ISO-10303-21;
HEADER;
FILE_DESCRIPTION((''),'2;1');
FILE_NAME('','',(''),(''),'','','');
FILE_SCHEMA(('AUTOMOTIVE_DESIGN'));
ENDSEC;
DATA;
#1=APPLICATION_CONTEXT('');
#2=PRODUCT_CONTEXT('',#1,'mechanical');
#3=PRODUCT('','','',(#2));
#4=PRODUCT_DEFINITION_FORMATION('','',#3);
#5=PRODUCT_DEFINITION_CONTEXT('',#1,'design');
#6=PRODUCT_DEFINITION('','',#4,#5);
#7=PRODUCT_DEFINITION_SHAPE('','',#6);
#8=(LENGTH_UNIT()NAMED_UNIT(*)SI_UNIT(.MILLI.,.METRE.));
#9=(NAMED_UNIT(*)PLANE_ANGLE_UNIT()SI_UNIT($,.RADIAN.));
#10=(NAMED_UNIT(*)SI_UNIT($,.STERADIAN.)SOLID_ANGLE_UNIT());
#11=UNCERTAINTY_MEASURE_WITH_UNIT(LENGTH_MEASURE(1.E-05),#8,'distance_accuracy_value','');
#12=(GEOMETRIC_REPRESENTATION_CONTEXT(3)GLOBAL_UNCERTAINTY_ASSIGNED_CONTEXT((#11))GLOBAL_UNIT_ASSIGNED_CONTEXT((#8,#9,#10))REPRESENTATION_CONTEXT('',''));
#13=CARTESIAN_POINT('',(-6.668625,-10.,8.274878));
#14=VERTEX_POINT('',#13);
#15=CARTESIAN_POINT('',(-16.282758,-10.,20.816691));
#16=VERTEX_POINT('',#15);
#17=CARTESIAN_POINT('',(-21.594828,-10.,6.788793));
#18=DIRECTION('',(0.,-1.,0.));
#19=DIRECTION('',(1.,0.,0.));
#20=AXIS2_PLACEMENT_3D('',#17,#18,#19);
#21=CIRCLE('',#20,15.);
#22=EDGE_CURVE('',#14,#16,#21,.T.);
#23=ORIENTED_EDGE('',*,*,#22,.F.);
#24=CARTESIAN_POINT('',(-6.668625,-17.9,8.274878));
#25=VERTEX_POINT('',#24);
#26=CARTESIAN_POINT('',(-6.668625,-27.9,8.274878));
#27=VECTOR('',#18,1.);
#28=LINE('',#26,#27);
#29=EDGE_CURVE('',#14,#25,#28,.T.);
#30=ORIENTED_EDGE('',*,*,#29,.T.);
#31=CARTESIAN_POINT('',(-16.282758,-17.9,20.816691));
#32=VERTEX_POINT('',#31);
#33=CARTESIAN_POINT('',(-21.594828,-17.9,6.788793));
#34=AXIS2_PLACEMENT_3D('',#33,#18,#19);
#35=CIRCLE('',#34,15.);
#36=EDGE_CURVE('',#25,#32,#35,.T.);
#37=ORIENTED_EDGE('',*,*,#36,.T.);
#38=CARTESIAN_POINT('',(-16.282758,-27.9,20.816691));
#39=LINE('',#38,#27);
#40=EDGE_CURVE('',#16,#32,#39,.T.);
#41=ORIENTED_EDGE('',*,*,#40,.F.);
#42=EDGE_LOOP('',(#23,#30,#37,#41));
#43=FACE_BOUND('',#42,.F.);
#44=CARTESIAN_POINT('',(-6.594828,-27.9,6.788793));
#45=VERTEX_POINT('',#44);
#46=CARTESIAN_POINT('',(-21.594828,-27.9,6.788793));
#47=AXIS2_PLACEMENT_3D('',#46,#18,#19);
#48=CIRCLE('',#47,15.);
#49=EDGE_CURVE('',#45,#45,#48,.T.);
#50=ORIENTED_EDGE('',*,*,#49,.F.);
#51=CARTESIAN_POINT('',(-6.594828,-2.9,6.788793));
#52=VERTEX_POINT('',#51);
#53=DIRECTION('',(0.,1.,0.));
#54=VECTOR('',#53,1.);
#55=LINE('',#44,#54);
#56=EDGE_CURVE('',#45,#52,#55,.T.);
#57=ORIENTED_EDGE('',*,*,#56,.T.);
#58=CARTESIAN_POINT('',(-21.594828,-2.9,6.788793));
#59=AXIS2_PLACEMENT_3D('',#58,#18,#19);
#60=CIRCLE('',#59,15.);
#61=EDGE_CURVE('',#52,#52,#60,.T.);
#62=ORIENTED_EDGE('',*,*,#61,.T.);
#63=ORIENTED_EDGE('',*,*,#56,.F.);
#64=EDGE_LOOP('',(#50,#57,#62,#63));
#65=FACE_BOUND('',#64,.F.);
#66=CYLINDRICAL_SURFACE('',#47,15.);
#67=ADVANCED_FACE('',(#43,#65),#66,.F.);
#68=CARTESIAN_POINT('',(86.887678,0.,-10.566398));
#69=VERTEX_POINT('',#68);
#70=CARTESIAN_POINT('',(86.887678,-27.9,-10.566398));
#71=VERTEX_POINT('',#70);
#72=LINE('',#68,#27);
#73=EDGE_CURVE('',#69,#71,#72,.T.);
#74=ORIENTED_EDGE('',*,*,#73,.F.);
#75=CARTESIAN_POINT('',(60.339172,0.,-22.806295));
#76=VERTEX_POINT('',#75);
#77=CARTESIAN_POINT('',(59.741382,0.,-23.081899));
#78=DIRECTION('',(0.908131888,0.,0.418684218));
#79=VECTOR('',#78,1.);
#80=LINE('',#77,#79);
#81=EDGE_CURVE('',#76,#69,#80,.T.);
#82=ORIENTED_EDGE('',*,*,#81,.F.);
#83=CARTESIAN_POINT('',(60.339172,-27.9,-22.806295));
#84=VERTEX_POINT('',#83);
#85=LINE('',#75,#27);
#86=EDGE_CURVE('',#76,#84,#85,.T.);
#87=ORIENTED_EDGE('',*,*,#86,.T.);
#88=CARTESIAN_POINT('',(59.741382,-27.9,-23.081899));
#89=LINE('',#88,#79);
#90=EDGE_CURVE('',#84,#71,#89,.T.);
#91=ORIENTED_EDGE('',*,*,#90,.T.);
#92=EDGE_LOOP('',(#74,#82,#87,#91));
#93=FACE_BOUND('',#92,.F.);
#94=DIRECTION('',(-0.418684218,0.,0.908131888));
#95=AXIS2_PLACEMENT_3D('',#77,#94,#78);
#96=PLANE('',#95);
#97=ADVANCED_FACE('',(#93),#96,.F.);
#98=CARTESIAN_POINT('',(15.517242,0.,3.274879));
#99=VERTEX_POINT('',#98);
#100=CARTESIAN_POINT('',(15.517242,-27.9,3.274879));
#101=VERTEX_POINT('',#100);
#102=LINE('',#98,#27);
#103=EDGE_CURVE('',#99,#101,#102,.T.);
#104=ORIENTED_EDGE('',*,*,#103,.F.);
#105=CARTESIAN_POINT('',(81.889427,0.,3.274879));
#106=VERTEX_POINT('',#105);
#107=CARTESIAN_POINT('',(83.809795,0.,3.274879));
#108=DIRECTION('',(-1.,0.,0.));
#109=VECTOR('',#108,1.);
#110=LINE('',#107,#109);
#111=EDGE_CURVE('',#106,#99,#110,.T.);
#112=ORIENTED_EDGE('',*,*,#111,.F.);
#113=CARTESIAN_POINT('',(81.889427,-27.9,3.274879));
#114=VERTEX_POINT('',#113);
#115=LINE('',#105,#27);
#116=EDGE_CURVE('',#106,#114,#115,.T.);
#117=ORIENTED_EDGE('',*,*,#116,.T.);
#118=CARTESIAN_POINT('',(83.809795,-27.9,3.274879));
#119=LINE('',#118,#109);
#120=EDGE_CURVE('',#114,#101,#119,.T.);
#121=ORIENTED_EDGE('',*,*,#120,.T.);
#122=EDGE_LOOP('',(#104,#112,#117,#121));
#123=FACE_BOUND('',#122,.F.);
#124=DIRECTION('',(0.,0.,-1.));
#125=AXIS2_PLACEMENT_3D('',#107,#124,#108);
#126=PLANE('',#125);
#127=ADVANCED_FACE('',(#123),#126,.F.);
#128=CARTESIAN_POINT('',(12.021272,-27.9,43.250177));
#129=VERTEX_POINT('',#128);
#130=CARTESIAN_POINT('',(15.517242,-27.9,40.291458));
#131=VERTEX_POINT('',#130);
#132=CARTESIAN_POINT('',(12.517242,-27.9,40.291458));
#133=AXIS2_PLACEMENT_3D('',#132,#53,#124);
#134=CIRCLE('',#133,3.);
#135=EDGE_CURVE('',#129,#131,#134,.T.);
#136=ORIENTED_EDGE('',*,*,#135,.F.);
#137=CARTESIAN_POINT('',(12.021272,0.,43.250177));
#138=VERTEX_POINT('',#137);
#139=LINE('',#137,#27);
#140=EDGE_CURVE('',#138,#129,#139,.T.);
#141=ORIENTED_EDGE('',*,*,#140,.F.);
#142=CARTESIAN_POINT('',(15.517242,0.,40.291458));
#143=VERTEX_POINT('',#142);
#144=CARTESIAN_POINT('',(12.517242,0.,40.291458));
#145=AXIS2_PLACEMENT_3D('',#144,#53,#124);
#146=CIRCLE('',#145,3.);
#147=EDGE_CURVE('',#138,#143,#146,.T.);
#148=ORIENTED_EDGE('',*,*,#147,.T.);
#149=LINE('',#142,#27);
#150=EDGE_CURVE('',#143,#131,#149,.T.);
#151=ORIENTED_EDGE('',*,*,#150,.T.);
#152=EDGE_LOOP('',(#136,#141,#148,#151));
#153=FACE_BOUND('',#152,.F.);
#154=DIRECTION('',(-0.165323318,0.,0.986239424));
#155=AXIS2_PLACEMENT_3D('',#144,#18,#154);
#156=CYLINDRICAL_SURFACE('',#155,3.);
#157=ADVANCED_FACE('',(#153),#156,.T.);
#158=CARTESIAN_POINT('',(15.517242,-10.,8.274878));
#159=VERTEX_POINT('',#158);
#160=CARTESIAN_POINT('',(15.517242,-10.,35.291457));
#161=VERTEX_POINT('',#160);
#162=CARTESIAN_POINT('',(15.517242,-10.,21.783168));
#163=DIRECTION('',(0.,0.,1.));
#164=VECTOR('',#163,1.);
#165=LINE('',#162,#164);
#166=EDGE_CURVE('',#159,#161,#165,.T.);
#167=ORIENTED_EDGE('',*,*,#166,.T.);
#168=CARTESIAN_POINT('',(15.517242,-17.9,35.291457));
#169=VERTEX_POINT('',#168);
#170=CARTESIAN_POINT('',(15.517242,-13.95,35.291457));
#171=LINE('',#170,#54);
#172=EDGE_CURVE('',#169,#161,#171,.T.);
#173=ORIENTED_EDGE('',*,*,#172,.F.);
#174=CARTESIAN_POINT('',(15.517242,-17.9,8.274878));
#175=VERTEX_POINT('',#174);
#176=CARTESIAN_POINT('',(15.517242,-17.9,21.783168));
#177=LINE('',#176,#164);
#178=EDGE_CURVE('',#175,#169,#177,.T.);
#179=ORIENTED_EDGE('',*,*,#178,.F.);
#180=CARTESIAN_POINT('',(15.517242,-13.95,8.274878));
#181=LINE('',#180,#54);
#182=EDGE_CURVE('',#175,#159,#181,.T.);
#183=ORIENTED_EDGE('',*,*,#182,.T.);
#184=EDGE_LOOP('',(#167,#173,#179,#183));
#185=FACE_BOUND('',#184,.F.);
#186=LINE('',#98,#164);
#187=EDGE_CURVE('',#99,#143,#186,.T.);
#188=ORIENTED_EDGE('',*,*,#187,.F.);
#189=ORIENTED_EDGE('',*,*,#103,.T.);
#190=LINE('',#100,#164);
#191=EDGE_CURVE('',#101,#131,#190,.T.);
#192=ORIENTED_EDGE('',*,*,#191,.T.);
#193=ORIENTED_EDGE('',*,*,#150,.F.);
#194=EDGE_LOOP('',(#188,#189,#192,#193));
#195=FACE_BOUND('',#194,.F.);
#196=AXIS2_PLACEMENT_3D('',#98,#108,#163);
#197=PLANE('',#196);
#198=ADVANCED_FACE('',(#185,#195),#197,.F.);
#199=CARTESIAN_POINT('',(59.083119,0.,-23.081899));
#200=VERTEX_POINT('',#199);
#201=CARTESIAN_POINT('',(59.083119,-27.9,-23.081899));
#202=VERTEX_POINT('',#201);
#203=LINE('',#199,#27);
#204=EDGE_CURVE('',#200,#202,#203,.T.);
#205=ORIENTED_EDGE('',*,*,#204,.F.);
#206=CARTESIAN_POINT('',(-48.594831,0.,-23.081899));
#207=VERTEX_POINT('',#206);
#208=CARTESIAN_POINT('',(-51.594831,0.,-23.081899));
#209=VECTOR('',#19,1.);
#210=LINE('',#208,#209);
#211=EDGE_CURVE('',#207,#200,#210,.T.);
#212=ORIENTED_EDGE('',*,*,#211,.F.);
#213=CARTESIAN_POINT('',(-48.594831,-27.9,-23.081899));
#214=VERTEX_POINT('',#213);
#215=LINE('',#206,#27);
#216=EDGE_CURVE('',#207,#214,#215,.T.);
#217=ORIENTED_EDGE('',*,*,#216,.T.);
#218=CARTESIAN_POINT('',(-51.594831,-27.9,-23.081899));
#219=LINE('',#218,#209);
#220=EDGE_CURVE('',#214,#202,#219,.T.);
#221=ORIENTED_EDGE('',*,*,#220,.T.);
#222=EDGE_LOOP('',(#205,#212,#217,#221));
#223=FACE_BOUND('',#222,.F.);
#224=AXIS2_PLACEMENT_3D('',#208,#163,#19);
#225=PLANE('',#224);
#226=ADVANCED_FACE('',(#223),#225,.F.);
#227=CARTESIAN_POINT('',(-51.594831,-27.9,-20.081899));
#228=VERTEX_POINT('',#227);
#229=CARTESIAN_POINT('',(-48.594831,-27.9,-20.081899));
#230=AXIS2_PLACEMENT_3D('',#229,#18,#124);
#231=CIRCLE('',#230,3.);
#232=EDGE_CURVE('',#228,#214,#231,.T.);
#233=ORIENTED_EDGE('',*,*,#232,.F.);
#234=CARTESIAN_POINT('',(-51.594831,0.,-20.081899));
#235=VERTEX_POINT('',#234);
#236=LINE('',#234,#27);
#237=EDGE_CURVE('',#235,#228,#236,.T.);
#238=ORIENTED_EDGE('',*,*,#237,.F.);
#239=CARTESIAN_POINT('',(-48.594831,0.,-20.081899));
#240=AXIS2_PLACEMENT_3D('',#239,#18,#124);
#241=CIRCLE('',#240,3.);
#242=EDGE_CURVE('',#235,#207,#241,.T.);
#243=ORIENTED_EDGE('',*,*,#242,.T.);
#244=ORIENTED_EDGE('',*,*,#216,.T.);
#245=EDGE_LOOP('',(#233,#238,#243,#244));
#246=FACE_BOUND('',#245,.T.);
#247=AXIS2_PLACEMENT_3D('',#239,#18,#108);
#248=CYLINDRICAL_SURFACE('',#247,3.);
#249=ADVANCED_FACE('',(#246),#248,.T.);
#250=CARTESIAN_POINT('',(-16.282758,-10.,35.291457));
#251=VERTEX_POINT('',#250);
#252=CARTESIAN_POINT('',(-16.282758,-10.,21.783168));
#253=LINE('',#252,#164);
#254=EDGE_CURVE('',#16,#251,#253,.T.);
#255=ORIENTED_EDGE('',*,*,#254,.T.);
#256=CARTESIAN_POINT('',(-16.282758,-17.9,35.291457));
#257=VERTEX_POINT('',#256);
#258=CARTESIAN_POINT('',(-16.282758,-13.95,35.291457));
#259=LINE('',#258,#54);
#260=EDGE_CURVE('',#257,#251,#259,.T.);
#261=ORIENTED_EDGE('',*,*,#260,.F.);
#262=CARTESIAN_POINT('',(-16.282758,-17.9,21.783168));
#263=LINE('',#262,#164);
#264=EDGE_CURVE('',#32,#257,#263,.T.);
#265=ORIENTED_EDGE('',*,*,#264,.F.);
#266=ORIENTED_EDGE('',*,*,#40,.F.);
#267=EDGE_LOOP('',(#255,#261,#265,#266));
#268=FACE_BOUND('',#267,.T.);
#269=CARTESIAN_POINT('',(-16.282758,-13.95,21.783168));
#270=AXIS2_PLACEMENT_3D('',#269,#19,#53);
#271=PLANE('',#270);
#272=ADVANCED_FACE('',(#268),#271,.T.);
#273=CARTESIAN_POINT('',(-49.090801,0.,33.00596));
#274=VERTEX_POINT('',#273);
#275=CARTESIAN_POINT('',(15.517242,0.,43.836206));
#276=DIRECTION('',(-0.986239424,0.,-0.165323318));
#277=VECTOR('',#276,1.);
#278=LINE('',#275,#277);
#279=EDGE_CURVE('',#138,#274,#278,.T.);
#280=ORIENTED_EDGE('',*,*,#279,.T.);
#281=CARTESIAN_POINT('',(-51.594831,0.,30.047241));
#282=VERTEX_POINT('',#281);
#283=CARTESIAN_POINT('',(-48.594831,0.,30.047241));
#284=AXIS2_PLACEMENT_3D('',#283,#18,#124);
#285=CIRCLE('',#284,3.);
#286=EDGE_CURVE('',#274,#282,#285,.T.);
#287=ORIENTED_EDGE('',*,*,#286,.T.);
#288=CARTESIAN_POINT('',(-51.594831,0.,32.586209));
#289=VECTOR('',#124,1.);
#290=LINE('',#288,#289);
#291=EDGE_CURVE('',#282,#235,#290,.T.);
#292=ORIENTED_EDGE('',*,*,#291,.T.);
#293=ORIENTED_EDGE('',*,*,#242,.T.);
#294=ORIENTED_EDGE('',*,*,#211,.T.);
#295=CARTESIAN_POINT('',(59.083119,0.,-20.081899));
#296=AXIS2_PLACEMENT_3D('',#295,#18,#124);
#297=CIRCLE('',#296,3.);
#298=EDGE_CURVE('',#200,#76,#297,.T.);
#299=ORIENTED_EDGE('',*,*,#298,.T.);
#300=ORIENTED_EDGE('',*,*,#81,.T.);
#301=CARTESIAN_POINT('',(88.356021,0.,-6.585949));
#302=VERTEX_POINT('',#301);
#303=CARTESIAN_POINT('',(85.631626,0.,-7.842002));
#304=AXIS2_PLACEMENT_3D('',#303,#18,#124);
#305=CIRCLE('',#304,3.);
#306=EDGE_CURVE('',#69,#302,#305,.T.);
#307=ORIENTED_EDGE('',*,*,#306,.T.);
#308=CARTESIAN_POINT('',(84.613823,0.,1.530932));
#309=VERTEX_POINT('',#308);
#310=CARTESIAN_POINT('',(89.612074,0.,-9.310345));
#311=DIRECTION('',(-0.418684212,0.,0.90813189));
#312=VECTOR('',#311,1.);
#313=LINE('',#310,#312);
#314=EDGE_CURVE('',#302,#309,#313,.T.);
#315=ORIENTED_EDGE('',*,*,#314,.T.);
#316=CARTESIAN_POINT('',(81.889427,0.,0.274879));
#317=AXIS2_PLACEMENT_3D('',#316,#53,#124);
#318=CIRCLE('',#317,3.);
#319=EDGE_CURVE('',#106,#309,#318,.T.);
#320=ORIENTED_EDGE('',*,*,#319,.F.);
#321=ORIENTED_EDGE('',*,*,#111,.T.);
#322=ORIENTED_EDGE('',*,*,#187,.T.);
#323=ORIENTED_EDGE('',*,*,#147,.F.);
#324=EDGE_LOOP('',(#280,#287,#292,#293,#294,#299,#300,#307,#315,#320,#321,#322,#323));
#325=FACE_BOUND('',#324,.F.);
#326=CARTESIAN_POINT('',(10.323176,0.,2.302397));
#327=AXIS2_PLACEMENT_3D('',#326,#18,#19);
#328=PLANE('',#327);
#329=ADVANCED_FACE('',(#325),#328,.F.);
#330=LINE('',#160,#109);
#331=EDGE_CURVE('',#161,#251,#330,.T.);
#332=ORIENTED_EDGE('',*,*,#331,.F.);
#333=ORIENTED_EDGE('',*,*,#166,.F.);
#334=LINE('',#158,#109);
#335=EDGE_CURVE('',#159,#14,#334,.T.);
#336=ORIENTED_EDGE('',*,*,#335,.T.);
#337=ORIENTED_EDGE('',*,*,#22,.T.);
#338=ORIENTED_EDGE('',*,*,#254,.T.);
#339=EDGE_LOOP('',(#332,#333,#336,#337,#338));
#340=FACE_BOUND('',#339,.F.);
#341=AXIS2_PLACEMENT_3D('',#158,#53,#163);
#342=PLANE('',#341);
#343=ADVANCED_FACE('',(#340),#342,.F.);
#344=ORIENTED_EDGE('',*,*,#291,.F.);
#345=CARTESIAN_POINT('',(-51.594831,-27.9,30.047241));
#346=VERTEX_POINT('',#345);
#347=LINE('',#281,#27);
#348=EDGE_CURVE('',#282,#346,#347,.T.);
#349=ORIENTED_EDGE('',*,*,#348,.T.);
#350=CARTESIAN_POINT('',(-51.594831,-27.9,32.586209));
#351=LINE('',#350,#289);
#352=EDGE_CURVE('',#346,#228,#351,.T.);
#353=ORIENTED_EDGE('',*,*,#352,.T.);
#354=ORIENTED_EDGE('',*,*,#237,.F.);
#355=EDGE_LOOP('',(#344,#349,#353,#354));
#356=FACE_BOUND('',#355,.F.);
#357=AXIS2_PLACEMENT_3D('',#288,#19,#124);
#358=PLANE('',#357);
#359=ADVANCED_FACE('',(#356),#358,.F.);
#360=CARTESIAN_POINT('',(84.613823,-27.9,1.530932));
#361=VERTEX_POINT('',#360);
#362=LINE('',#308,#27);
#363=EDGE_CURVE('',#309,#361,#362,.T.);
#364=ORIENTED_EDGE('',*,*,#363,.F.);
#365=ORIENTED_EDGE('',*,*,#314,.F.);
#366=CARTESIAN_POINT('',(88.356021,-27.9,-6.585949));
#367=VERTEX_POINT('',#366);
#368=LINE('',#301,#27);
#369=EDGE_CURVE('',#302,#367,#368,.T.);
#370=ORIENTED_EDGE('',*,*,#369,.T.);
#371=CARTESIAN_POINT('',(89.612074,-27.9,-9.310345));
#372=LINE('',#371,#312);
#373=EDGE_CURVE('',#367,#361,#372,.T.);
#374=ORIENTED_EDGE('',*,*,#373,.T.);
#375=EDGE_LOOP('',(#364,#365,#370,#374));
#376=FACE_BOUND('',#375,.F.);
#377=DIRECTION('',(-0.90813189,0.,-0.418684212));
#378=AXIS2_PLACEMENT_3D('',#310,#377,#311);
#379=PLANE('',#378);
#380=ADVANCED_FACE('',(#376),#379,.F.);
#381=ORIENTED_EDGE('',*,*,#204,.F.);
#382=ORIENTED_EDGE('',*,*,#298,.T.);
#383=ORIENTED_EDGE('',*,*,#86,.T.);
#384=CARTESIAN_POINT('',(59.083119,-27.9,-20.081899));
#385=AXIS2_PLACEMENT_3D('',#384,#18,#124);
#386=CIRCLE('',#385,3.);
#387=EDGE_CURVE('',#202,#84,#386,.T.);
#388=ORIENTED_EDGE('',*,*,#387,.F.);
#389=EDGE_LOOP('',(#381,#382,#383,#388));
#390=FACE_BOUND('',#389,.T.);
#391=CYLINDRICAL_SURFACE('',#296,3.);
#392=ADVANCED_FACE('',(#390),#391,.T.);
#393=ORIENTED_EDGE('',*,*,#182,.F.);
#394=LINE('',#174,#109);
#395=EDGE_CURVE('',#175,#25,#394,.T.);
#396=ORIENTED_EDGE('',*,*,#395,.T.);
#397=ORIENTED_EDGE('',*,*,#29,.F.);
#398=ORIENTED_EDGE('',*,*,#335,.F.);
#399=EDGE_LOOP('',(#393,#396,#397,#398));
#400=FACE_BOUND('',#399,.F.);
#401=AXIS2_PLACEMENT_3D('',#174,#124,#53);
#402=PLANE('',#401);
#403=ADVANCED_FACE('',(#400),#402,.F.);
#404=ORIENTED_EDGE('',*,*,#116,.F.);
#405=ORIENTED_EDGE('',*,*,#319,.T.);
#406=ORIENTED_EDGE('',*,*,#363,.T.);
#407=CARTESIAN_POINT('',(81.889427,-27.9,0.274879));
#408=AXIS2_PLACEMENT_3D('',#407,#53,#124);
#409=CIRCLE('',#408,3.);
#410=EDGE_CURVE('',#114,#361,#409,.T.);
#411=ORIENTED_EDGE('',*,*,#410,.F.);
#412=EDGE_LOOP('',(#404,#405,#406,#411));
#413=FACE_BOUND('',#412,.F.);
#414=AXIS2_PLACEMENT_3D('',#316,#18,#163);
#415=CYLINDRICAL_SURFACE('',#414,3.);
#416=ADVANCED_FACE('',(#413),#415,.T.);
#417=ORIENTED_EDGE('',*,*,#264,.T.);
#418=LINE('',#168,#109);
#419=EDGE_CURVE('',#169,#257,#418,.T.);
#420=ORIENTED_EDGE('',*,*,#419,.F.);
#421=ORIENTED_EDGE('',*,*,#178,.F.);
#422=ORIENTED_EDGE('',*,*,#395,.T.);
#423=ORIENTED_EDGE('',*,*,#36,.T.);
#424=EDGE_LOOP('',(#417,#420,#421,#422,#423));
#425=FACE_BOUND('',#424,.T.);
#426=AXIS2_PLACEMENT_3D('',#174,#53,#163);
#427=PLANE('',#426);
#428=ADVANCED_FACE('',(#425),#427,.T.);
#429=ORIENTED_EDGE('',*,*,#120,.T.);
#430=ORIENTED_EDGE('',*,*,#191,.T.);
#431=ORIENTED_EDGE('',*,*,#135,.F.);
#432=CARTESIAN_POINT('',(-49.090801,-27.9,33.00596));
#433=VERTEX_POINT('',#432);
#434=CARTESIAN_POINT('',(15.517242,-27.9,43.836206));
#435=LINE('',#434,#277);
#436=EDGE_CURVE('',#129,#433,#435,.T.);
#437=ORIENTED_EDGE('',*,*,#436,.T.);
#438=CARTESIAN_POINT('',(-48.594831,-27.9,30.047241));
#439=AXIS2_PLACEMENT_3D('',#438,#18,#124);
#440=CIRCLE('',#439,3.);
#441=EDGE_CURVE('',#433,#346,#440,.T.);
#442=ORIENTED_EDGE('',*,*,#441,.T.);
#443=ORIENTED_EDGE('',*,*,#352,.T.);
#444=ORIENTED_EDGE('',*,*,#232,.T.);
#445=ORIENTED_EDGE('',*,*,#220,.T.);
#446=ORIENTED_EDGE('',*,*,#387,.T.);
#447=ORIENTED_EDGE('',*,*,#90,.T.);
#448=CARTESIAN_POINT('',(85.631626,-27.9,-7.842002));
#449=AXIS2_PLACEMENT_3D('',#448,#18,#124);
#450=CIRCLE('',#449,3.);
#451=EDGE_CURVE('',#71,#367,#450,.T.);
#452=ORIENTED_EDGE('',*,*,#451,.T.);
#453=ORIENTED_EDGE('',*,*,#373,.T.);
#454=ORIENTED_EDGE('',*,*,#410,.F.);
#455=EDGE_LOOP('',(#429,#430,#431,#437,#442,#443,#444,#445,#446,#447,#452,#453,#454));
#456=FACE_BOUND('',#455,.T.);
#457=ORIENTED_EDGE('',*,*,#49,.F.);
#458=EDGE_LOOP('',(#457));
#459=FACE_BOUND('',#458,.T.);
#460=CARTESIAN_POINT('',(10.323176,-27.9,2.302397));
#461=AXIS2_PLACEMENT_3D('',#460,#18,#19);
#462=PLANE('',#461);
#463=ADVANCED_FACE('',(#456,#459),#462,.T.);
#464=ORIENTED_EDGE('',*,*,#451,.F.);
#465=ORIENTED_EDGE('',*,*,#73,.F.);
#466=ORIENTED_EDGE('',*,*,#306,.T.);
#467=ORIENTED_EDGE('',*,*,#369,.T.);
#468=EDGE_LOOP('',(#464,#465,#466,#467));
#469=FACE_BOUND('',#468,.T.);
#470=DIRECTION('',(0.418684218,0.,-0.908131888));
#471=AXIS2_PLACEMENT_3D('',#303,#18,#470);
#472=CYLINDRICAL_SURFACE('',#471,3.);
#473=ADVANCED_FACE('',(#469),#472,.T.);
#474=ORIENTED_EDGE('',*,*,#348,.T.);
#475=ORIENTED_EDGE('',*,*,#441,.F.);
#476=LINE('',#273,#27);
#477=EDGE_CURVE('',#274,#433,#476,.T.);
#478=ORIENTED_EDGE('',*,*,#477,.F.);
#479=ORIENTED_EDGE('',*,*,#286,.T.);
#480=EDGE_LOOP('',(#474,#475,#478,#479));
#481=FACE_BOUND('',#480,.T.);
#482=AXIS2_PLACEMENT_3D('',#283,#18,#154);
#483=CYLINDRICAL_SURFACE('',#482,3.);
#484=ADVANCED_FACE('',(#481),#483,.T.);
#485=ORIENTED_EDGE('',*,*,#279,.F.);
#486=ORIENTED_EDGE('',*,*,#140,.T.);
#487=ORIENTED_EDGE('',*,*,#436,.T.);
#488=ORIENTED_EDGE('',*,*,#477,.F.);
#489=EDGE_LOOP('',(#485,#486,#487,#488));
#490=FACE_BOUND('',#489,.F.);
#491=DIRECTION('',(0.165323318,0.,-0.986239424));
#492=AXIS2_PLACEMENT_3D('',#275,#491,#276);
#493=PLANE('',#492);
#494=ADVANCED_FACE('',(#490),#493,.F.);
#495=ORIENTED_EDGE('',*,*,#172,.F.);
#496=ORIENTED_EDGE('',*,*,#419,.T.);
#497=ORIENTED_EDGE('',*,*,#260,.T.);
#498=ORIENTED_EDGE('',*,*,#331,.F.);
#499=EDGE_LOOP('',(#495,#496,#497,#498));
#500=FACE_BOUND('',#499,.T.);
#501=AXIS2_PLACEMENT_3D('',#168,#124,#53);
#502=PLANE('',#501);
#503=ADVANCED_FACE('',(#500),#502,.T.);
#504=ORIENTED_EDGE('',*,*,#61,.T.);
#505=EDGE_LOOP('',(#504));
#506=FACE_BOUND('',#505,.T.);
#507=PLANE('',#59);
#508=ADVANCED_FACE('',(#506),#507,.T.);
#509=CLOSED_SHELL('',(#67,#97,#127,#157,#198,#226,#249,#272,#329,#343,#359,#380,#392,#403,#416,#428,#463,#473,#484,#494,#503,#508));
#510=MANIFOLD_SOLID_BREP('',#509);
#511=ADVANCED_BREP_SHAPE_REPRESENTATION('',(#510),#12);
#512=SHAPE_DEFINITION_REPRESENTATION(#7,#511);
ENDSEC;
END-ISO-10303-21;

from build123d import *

# Parameters (mm, degrees)
F1_DEPTH = 27.9
F2_R     = 15
F3_DEPTH = 25
F4_R     = 3
F5_W     = 7.9
F5_H     = 27.016579
F6_DEPTH = 31.8


with BuildPart() as f1:
    # F0 (on Front) → F1 (new body)
    with BuildSketch(Plane.XZ):
        Polygon((15.517242, 43.836206), (-51.594831, 32.586209), (-51.594831, -23.081899), (59.741382, -23.081899), (89.612074, -9.310345), (83.809795, 3.274879), (15.517242, 3.274879), align=None)
    extrude(amount=F1_DEPTH)

    # F2 (on face) → F3 (cut)
    with BuildSketch(Plane.XZ.offset(27.9)):
        with Locations((-21.594828, 6.788793)):
            Circle(F2_R)
    extrude(amount=-F3_DEPTH, mode=Mode.SUBTRACT)

    # F4
    f4_edges = [f1.edges().sort_by_distance(p)[0] for p in [
        (15.517242, -13.95, 43.836206),
        (83.809795, -13.95, 3.274879),
        (89.612074, -13.95, -9.310345),
        (59.741382, -13.95, -23.081899),
        (-51.594831, -13.95, -23.081899),
        (-51.594831, -13.95, 32.586209),
    ]]
    fillet(f4_edges, radius=F4_R)

    # F5 (on face) → F6 (cut)
    with BuildSketch(Plane.YZ.offset(15.517242)):
        with Locations((-13.95, 21.783168)):
            Rectangle(F5_W, F5_H)
    extrude(amount=-F6_DEPTH, mode=Mode.SUBTRACT)


solid = f1.part
